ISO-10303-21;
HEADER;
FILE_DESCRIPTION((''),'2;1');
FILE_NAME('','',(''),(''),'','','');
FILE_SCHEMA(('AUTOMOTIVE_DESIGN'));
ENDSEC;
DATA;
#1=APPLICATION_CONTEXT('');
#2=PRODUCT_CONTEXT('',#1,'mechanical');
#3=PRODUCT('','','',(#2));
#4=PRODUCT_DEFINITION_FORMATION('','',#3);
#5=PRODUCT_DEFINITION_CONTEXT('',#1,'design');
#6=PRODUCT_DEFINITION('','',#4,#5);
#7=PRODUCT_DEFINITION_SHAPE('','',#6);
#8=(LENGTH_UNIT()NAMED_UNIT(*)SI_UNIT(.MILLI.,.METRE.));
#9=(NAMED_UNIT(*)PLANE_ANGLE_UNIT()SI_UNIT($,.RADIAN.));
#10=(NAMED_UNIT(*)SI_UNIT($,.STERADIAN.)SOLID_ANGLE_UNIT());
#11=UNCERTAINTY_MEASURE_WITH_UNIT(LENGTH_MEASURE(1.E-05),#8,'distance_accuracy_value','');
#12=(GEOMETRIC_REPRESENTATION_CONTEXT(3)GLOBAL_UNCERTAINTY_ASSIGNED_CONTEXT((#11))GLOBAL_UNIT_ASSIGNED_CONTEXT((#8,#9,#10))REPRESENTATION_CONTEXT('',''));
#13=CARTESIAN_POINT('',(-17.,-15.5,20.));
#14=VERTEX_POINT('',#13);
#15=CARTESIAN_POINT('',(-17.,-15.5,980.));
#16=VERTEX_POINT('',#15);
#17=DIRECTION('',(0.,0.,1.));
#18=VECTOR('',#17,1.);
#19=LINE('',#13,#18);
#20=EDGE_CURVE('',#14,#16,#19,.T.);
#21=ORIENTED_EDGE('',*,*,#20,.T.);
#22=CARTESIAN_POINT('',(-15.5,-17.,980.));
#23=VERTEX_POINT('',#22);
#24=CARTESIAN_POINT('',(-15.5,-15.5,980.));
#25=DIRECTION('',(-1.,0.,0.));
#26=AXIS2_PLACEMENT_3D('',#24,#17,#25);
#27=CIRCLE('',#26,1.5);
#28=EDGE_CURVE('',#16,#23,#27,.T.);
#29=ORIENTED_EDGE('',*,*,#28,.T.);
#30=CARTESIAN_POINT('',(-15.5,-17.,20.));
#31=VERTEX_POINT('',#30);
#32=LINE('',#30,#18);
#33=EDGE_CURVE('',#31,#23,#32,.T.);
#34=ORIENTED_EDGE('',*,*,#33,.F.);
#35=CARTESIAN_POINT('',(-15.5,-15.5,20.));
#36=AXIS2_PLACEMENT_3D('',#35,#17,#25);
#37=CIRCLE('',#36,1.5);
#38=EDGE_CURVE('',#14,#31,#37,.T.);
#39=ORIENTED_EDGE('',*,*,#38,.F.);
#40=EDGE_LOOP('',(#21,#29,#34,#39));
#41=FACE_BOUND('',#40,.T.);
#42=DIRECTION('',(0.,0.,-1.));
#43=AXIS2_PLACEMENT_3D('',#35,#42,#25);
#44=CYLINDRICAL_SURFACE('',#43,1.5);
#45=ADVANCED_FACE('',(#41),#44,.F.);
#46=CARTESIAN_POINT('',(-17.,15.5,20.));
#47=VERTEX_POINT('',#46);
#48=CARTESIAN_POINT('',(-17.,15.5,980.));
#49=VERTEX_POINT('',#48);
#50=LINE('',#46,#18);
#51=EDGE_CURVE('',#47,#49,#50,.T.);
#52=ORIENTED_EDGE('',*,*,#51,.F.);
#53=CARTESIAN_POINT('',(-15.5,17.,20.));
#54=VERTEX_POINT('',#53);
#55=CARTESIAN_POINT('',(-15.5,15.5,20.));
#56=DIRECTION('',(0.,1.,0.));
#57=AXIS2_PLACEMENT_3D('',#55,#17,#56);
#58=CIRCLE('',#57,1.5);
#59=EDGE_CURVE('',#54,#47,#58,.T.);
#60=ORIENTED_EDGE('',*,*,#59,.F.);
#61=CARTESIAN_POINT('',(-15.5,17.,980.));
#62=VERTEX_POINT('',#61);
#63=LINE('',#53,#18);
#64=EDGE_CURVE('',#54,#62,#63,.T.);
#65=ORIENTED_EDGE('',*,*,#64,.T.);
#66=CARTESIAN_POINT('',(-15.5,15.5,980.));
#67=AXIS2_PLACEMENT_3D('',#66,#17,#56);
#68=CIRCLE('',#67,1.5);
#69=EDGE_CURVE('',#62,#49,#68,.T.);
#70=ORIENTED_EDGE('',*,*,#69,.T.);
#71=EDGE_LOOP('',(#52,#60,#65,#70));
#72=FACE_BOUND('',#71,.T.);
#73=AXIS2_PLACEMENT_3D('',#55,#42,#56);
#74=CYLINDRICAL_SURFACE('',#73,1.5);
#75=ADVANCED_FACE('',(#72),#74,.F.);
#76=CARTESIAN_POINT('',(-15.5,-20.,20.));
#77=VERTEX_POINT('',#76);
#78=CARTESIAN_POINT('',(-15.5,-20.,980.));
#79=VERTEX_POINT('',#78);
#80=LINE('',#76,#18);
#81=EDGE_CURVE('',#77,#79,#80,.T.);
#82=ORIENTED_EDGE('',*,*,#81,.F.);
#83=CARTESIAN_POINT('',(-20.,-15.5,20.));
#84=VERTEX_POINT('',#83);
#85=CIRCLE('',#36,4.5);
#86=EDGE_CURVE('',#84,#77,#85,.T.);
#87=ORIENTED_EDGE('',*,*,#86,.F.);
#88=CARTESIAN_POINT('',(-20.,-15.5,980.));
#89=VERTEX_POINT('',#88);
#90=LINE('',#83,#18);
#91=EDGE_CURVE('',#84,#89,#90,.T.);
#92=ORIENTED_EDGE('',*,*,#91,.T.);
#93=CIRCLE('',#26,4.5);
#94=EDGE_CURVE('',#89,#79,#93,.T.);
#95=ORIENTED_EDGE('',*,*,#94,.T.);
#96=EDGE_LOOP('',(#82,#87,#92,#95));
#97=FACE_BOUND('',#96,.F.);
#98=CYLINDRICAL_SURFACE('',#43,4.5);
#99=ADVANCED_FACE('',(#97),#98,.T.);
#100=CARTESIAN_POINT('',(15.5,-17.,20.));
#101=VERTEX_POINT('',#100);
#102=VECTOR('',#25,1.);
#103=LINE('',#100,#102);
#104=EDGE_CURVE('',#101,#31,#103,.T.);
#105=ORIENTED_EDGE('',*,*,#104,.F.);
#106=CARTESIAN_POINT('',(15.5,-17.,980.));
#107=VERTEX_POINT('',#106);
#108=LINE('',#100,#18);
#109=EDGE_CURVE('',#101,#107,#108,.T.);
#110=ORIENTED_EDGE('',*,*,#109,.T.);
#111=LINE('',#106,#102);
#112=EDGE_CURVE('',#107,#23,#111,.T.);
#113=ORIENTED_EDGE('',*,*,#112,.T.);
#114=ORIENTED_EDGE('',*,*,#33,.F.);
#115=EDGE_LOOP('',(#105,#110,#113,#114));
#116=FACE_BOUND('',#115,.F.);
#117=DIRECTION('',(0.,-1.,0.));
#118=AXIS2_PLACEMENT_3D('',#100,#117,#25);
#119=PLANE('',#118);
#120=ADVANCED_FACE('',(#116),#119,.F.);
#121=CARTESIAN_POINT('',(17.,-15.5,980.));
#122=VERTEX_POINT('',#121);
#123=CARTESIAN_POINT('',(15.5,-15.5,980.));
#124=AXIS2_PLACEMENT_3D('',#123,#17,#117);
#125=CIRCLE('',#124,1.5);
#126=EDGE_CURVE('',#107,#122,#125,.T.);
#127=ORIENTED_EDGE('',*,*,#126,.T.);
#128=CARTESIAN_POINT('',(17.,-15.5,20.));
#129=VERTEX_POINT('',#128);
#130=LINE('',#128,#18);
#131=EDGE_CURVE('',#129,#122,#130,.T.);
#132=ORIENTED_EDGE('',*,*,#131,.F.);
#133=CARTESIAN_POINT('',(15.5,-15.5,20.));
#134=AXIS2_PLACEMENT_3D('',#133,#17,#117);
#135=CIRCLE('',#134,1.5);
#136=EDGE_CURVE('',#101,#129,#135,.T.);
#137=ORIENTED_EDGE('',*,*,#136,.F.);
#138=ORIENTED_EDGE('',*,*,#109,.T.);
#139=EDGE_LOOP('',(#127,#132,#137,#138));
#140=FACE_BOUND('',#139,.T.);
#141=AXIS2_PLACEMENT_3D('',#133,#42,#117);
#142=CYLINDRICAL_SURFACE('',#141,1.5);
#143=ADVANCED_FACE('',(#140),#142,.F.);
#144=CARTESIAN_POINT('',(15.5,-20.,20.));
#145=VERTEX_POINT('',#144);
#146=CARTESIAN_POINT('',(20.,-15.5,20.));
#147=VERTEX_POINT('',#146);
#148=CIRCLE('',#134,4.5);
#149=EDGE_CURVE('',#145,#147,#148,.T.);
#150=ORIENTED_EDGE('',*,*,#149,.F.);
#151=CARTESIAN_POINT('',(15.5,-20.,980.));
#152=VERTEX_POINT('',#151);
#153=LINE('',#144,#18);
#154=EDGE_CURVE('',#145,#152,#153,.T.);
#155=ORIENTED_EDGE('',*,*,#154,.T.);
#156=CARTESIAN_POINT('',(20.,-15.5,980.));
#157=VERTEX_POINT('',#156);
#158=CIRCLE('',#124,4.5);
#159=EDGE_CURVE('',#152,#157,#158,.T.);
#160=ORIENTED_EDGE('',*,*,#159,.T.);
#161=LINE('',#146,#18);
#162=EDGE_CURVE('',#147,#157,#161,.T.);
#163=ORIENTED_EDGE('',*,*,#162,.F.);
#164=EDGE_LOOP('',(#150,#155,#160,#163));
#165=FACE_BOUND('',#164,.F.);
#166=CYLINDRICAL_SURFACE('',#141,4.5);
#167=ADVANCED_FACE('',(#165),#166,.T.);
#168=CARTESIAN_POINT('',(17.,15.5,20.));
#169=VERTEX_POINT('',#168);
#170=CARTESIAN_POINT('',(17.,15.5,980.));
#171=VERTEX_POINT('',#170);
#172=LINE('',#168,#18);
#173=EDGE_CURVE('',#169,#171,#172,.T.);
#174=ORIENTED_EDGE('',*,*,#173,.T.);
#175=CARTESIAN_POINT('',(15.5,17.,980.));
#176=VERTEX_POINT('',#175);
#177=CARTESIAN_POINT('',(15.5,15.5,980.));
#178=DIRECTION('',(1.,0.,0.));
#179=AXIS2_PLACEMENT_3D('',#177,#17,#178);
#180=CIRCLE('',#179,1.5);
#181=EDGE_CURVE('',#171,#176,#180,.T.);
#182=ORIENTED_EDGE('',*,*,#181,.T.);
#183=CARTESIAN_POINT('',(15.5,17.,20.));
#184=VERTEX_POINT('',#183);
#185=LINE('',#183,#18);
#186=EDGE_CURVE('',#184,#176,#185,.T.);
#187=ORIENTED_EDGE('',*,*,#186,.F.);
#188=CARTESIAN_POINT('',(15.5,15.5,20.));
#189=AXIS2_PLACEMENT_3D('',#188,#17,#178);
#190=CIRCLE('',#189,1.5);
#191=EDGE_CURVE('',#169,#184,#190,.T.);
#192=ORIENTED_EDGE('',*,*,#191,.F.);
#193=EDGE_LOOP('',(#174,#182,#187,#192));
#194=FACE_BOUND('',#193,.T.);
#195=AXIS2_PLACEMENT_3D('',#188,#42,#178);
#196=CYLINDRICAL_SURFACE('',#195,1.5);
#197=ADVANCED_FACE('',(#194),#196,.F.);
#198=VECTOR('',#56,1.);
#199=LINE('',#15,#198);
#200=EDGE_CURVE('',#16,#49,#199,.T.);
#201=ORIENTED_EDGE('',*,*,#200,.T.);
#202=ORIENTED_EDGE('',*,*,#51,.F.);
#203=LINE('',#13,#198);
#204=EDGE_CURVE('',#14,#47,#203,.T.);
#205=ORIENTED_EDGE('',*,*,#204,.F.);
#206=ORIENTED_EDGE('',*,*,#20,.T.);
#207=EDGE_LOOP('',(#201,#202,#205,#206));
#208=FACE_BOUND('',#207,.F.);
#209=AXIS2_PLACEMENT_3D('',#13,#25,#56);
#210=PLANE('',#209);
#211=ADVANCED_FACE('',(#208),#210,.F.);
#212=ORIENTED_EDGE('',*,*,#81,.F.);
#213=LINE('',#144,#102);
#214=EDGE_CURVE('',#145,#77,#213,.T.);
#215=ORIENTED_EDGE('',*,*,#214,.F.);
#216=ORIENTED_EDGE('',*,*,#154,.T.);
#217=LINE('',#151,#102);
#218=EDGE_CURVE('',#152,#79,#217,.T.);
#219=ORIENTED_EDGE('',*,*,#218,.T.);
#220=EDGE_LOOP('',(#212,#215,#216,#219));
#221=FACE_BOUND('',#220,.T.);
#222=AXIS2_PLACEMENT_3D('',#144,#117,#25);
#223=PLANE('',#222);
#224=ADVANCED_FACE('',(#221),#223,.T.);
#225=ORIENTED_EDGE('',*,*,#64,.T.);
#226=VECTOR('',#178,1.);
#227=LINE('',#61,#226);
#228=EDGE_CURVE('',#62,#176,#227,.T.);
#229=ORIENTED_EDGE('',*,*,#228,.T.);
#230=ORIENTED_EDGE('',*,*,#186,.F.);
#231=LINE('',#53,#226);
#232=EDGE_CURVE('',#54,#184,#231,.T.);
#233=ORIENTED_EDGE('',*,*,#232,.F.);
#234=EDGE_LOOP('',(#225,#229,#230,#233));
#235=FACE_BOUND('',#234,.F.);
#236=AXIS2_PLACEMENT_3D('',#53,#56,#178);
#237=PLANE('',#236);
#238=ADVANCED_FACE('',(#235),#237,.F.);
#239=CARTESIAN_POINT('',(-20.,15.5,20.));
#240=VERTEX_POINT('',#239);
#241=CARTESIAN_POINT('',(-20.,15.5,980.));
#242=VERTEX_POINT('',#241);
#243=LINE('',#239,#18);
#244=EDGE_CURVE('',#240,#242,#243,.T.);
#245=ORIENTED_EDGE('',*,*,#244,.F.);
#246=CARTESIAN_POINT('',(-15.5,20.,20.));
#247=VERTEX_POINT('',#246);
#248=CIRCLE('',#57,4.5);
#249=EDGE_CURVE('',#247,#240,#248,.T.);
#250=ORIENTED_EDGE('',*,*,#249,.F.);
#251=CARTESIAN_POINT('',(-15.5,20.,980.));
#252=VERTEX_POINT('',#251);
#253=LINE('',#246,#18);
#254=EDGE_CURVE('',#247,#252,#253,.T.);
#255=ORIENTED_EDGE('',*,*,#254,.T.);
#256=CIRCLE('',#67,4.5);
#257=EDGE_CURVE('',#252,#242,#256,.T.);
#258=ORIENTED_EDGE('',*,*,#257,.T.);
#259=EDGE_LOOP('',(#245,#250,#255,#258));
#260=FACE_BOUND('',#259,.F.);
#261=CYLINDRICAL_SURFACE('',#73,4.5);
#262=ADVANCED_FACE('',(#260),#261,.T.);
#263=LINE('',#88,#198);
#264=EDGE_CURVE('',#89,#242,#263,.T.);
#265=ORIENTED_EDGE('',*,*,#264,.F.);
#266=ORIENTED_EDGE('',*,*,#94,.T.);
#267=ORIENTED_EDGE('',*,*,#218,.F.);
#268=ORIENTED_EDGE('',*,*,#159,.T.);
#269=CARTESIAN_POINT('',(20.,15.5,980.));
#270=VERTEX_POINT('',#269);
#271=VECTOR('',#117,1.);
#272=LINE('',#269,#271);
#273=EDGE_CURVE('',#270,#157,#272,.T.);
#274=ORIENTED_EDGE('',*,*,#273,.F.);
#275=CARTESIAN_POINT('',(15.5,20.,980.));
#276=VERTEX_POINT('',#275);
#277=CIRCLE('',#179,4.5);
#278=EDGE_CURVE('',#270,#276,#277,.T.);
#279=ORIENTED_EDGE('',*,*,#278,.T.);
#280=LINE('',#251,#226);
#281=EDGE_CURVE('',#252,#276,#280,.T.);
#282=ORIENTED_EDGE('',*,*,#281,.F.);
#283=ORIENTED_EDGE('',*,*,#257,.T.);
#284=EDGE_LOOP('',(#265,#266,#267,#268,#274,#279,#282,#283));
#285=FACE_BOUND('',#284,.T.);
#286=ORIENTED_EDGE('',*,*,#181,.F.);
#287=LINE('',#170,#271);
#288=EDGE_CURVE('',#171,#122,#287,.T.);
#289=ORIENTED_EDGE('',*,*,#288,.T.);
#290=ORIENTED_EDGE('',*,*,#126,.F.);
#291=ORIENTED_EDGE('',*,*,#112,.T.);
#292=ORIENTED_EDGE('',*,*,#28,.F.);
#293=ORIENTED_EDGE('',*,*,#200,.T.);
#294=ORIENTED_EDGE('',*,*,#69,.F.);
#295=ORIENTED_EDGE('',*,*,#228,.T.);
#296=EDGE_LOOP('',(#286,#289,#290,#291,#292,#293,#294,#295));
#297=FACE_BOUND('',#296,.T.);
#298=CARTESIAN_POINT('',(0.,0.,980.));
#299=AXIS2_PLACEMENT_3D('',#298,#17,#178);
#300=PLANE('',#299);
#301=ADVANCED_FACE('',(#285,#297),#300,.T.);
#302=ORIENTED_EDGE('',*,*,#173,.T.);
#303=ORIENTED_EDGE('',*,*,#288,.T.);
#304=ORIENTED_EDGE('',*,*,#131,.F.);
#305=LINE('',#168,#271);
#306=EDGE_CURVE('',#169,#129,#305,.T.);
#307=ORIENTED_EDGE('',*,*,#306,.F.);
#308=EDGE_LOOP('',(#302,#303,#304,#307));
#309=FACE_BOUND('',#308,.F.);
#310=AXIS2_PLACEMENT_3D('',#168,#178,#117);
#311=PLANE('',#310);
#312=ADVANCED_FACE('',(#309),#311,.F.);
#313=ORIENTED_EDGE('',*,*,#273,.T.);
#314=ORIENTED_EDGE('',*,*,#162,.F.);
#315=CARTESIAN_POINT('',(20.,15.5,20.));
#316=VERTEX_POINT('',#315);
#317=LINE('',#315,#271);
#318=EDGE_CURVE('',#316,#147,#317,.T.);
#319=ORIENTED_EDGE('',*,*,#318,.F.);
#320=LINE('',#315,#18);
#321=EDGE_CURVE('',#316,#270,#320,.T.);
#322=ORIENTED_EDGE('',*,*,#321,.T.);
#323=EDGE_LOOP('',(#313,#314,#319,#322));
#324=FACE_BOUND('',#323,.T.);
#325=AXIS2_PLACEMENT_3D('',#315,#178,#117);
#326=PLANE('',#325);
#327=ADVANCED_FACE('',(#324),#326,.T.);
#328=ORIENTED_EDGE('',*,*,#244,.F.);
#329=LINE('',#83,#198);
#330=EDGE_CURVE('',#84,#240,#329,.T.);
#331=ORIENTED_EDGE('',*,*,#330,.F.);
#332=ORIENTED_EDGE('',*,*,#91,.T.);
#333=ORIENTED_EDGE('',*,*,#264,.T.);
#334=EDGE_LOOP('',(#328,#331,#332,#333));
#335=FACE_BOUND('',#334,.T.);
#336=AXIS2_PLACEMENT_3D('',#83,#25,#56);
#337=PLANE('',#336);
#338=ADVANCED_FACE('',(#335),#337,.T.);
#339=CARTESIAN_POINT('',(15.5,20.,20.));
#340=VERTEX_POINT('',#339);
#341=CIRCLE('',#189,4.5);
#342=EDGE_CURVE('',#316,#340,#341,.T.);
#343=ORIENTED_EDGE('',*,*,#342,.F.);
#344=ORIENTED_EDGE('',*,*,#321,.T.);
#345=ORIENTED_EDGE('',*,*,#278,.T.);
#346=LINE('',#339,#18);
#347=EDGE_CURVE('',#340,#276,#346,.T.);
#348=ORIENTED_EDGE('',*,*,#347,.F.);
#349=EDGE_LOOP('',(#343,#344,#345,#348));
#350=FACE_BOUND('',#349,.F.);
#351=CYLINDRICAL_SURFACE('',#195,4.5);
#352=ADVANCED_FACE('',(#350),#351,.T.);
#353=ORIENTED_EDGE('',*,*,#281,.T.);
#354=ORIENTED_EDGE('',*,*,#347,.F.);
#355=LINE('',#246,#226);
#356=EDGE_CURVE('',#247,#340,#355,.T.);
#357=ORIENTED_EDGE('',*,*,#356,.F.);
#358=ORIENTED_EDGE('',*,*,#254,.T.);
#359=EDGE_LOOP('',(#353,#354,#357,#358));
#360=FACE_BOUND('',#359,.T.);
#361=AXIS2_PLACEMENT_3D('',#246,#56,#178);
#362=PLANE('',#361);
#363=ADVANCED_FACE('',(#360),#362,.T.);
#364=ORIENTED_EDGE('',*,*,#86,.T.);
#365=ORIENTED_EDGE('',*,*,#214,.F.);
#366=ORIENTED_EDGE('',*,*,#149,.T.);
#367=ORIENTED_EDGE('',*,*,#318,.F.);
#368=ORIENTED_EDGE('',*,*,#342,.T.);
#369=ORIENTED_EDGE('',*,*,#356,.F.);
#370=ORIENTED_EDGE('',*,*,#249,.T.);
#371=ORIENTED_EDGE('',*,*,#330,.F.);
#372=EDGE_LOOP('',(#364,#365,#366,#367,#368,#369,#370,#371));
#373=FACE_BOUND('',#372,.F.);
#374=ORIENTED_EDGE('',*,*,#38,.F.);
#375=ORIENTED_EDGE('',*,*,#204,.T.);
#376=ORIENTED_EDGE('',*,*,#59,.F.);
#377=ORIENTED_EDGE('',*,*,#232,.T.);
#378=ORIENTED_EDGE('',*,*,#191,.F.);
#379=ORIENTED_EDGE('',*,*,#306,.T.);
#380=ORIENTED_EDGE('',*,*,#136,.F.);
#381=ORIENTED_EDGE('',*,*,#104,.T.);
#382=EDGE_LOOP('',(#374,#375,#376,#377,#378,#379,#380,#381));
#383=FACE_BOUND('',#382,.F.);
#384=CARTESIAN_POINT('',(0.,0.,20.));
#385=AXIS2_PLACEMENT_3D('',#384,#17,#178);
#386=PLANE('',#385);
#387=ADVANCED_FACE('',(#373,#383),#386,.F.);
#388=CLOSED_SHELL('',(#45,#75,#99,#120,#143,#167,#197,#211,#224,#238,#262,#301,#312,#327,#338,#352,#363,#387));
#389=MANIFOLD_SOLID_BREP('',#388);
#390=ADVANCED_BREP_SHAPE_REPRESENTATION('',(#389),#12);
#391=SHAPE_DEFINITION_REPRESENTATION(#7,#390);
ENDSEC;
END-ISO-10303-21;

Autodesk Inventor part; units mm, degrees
ref_plane "Start Plane" through (0, 0, 20) normal (0, 0, 1) x (1, 0, 0)
ref_plane "End Plane" through (0, 0, 980) normal (0, 0, 1) x (1, 0, 0)
sketch "Sketch" plane through (0, 0, 0) normal (0, 0, 1) x (1, 0, 0)
  line L0 (-20, -15.5) -> (-20, 15.5)
  line L1 (-15.5, 20) -> (15.5, 20)
  line L2 (20, 15.5) -> (20, -15.5)
  line L3 (15.5, -20) -> (-15.5, -20)
  arc A0 (-20, -15.5) -> (-15.5, -20) centre (-15.5, -15.5) ccw
  arc A1 (-15.5, 20) -> (-20, 15.5) centre (-15.5, 15.5) ccw
  arc A2 (20, 15.5) -> (15.5, 20) centre (15.5, 15.5) ccw
  arc A3 (15.5, -20) -> (20, -15.5) centre (15.5, -15.5) ccw
  arc A4 (-15.5, 17) -> (-17, 15.5) centre (-15.5, 15.5) ccw
  line L4 (-15.5, 17) -> (15.5, 17)
  arc A5 (17, 15.5) -> (15.5, 17) centre (15.5, 15.5) ccw
  line L5 (17, 15.5) -> (17, -15.5)
  arc A6 (15.5, -17) -> (17, -15.5) centre (15.5, -15.5) ccw
  line L6 (15.5, -17) -> (-15.5, -17)
  arc A7 (-17, -15.5) -> (-15.5, -17) centre (-15.5, -15.5) ccw
  line L7 (-17, -15.5) -> (-17, 15.5)
  line L8 (0, 29.3048) -> (0, -29.3048) construction
  line L9 (-29.3048, 0) -> (29.3048, 0) construction
  dimension "d7" = 4.5
  dimension "d10" = 40
  dimension "d11" = 40
  dimension "d12" = 3
  dimension "d15" = 20
  dimension "d16" = 20
extrude "Body" add sketch "Sketch" along normal up to surface (960 mm away) from surface at 20
sketch "Sketch3" plane through (0, 0, 0) normal (0, 0, 1) x (1, 0, 0)
  line L0 (0, 0) -> (10, 0)
ref_plane "Work Plane3" through (0, 0, 0) normal (0, -1, 0) x (1, 0, 0)
ref_plane "Work Plane4" through (-15.5, 1840, 20) normal (0, 0, -1) x (-1, 0, 0)
split "Split1" plane through (-15.5, 1840, 20) removes the side toward (0, 0, -1)
ref_plane "Work Plane5" through (15.5, 1840, 980) normal (0, 0, 1) x (1, 0, 0)
split "Split2" plane through (15.5, 1840, 980) removes the side toward (0, 0, 1)
sketch "Sketch4" plane through (0, 0, 0) normal (0, -1, 0) x (1, 0, 0)
  line L0 (-2, 20) -> (12, 20) projected
  line L1 (-2, 980) -> (12, 980) projected
  dimension "d18" = 960
equation "\"d7\" = G_IR"
equation "\"d10\" = G_H"
equation "\"d11\" = G_W"
equation "\"d12\" = G_T"
equation "\"d15\" = 0.5 * d10"
equation "\"d16\" = 0.5 * d11"
equation "\"d3\" = G_L"
equation "\"G_W\" = 40"
equation "\"G_H\" = 40"
equation "\"G_T\" = 3"
equation "\"G_IR\" = 4.5"
equation "\"G_L\" = d18"
properties part number "ISO 12633-2 - 40x40x3 - 960" material "Steel, Mild"
